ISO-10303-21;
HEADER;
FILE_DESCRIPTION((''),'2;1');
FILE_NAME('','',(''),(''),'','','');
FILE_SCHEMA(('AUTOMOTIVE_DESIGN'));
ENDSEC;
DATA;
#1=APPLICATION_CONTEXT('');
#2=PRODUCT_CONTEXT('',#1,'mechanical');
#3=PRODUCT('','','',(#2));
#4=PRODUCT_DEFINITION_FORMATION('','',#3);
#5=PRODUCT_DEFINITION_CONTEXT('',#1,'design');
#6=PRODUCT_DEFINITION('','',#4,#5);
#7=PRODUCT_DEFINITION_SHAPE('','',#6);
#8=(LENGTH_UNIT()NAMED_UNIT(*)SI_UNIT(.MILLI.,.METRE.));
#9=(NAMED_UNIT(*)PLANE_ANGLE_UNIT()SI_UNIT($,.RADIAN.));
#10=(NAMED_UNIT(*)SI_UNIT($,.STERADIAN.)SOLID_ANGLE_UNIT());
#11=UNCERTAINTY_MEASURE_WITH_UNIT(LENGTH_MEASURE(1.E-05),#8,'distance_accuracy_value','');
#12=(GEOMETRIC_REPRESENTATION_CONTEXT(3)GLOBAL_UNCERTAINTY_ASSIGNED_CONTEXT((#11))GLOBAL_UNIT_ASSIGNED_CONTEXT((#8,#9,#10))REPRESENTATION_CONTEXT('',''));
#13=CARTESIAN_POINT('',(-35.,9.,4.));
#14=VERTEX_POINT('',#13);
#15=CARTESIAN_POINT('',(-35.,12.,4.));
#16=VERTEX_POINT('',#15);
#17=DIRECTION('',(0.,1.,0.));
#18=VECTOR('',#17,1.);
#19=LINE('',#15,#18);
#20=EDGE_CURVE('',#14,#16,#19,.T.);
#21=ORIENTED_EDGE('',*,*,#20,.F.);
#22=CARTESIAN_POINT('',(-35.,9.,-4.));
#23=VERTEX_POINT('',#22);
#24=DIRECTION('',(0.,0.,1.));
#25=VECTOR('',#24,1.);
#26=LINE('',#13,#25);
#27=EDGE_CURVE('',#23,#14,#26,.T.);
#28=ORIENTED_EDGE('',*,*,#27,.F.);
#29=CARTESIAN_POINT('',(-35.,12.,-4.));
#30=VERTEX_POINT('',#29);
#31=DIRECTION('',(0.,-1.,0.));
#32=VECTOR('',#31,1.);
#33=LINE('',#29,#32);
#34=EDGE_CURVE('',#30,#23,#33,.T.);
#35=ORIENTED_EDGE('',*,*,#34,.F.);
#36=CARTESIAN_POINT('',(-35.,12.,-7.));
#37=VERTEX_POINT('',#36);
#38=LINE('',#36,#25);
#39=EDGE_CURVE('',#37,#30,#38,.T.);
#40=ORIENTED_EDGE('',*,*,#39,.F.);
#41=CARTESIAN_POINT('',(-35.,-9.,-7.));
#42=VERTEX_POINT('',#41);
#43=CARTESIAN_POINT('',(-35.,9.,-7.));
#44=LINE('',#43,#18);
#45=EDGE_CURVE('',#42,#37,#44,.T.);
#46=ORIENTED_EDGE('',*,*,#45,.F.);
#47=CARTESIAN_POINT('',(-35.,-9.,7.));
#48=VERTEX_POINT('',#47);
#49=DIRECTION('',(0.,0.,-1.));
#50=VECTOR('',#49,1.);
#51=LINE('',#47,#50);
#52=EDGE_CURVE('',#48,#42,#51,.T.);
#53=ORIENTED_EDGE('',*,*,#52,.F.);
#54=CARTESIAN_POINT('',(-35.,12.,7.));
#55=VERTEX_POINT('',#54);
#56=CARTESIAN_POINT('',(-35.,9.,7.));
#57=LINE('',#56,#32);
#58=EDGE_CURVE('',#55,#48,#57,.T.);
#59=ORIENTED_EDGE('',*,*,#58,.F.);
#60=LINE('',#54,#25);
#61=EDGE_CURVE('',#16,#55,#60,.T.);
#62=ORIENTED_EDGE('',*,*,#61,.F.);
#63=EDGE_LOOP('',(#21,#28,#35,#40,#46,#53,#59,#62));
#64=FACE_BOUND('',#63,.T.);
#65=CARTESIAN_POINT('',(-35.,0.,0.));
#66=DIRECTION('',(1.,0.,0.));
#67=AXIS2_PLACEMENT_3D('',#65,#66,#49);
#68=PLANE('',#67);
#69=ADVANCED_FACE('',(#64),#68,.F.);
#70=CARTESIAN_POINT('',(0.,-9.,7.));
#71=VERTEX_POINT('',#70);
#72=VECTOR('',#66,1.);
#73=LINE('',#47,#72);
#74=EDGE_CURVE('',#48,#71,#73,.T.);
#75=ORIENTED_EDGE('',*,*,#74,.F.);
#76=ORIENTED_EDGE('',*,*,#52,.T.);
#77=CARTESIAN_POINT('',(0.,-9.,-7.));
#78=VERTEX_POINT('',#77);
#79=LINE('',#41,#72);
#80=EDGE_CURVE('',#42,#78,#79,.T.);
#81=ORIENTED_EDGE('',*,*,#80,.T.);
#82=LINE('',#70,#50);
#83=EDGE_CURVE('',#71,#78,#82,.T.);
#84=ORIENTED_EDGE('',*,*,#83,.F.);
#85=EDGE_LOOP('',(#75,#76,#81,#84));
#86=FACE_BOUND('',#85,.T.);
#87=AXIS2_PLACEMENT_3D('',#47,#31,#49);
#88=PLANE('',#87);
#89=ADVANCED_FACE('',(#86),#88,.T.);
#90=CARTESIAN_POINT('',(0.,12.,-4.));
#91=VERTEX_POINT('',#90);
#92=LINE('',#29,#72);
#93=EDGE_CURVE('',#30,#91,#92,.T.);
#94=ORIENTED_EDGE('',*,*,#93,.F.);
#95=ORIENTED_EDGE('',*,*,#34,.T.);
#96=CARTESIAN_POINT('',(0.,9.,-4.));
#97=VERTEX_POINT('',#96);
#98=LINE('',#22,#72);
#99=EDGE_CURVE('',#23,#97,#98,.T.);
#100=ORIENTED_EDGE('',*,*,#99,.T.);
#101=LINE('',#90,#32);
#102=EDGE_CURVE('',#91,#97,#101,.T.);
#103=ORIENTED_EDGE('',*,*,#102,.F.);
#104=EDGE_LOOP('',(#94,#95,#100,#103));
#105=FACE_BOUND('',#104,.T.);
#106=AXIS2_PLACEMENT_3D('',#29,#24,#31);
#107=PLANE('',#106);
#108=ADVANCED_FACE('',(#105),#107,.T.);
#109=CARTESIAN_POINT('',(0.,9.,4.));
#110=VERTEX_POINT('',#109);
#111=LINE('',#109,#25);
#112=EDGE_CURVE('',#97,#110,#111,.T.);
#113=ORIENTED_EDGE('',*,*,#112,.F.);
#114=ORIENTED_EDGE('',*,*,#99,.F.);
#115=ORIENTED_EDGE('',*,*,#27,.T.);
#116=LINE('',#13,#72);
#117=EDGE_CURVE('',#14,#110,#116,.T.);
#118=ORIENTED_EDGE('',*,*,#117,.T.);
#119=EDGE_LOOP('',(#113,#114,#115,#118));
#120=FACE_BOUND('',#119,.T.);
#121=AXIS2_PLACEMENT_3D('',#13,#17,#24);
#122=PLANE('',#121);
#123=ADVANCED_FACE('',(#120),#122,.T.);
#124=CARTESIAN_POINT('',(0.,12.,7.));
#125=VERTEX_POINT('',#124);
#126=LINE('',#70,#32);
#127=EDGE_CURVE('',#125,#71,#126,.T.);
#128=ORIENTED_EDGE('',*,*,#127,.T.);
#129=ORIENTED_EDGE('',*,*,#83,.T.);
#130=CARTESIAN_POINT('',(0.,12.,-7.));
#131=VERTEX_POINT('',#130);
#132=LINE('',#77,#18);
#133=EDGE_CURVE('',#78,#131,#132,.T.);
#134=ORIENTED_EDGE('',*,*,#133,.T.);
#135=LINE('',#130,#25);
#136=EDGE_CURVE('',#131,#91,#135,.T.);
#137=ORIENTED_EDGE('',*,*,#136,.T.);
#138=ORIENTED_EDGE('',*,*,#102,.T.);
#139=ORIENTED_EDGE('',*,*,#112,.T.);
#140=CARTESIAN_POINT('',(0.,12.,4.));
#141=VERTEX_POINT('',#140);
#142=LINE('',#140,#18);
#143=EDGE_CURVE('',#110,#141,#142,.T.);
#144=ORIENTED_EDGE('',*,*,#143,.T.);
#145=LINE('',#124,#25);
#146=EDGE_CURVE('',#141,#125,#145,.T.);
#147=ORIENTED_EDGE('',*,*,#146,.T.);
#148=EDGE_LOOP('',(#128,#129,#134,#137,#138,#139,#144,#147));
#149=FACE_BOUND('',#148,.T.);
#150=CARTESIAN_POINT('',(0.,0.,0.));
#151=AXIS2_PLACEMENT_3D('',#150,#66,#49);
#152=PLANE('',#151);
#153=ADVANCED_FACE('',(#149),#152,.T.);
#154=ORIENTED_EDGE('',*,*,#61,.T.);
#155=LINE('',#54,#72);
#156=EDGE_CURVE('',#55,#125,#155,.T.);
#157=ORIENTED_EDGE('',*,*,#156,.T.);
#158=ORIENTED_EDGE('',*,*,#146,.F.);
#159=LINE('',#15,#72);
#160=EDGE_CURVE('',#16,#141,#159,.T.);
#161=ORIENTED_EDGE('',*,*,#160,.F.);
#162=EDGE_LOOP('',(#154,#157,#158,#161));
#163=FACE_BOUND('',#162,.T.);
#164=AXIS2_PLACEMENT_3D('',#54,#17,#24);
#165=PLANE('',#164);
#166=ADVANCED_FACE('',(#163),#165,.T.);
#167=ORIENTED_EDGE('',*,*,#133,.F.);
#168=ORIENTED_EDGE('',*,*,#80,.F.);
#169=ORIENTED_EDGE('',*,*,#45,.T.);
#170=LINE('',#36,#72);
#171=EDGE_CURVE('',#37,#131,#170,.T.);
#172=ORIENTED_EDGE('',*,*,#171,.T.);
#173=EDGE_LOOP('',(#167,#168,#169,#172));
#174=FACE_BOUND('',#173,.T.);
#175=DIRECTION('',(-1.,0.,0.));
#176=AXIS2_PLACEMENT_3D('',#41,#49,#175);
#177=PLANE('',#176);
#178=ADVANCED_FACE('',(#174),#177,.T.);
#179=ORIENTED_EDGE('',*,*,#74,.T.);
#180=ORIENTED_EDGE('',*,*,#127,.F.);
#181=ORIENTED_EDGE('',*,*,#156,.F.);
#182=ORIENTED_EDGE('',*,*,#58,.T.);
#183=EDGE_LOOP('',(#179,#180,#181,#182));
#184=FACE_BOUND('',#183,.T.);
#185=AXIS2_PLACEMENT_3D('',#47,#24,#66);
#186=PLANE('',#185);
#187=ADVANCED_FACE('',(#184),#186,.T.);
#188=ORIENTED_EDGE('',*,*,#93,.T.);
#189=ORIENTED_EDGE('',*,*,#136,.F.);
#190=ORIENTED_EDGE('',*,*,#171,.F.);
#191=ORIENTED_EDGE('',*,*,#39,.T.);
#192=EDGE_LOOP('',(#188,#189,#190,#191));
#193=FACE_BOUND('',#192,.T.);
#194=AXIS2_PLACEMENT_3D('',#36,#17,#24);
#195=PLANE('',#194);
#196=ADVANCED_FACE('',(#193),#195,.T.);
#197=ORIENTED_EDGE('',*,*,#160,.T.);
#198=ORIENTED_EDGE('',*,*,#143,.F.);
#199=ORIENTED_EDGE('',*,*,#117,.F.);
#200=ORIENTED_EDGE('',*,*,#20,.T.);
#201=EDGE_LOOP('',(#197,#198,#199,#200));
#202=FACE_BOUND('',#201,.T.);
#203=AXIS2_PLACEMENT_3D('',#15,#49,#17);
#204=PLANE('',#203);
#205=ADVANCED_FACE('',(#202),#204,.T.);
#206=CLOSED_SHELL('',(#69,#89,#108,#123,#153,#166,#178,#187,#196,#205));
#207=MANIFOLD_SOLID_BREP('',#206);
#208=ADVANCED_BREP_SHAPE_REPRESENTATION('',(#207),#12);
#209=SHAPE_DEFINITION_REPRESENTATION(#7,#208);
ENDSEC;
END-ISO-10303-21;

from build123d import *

# Parameters (mm, degrees)
BOSS_EXTRUDE1_DEPTH = 35


with BuildPart() as part:
    # Sketch1 → Boss-Extrude1 (new body)
    with BuildSketch(Plane(origin=(0, 0, 0), x_dir=(0, 0, -1), z_dir=(1, 0, 0))):
        Polygon((-7, 9), (-7, 12), (-4, 12), (-4, 9), (4, 9), (4, 12), (7, 12), (7, 9), (7, -9), (-7, -9), align=None)
    extrude(amount=-BOSS_EXTRUDE1_DEPTH)


solid = part.part
